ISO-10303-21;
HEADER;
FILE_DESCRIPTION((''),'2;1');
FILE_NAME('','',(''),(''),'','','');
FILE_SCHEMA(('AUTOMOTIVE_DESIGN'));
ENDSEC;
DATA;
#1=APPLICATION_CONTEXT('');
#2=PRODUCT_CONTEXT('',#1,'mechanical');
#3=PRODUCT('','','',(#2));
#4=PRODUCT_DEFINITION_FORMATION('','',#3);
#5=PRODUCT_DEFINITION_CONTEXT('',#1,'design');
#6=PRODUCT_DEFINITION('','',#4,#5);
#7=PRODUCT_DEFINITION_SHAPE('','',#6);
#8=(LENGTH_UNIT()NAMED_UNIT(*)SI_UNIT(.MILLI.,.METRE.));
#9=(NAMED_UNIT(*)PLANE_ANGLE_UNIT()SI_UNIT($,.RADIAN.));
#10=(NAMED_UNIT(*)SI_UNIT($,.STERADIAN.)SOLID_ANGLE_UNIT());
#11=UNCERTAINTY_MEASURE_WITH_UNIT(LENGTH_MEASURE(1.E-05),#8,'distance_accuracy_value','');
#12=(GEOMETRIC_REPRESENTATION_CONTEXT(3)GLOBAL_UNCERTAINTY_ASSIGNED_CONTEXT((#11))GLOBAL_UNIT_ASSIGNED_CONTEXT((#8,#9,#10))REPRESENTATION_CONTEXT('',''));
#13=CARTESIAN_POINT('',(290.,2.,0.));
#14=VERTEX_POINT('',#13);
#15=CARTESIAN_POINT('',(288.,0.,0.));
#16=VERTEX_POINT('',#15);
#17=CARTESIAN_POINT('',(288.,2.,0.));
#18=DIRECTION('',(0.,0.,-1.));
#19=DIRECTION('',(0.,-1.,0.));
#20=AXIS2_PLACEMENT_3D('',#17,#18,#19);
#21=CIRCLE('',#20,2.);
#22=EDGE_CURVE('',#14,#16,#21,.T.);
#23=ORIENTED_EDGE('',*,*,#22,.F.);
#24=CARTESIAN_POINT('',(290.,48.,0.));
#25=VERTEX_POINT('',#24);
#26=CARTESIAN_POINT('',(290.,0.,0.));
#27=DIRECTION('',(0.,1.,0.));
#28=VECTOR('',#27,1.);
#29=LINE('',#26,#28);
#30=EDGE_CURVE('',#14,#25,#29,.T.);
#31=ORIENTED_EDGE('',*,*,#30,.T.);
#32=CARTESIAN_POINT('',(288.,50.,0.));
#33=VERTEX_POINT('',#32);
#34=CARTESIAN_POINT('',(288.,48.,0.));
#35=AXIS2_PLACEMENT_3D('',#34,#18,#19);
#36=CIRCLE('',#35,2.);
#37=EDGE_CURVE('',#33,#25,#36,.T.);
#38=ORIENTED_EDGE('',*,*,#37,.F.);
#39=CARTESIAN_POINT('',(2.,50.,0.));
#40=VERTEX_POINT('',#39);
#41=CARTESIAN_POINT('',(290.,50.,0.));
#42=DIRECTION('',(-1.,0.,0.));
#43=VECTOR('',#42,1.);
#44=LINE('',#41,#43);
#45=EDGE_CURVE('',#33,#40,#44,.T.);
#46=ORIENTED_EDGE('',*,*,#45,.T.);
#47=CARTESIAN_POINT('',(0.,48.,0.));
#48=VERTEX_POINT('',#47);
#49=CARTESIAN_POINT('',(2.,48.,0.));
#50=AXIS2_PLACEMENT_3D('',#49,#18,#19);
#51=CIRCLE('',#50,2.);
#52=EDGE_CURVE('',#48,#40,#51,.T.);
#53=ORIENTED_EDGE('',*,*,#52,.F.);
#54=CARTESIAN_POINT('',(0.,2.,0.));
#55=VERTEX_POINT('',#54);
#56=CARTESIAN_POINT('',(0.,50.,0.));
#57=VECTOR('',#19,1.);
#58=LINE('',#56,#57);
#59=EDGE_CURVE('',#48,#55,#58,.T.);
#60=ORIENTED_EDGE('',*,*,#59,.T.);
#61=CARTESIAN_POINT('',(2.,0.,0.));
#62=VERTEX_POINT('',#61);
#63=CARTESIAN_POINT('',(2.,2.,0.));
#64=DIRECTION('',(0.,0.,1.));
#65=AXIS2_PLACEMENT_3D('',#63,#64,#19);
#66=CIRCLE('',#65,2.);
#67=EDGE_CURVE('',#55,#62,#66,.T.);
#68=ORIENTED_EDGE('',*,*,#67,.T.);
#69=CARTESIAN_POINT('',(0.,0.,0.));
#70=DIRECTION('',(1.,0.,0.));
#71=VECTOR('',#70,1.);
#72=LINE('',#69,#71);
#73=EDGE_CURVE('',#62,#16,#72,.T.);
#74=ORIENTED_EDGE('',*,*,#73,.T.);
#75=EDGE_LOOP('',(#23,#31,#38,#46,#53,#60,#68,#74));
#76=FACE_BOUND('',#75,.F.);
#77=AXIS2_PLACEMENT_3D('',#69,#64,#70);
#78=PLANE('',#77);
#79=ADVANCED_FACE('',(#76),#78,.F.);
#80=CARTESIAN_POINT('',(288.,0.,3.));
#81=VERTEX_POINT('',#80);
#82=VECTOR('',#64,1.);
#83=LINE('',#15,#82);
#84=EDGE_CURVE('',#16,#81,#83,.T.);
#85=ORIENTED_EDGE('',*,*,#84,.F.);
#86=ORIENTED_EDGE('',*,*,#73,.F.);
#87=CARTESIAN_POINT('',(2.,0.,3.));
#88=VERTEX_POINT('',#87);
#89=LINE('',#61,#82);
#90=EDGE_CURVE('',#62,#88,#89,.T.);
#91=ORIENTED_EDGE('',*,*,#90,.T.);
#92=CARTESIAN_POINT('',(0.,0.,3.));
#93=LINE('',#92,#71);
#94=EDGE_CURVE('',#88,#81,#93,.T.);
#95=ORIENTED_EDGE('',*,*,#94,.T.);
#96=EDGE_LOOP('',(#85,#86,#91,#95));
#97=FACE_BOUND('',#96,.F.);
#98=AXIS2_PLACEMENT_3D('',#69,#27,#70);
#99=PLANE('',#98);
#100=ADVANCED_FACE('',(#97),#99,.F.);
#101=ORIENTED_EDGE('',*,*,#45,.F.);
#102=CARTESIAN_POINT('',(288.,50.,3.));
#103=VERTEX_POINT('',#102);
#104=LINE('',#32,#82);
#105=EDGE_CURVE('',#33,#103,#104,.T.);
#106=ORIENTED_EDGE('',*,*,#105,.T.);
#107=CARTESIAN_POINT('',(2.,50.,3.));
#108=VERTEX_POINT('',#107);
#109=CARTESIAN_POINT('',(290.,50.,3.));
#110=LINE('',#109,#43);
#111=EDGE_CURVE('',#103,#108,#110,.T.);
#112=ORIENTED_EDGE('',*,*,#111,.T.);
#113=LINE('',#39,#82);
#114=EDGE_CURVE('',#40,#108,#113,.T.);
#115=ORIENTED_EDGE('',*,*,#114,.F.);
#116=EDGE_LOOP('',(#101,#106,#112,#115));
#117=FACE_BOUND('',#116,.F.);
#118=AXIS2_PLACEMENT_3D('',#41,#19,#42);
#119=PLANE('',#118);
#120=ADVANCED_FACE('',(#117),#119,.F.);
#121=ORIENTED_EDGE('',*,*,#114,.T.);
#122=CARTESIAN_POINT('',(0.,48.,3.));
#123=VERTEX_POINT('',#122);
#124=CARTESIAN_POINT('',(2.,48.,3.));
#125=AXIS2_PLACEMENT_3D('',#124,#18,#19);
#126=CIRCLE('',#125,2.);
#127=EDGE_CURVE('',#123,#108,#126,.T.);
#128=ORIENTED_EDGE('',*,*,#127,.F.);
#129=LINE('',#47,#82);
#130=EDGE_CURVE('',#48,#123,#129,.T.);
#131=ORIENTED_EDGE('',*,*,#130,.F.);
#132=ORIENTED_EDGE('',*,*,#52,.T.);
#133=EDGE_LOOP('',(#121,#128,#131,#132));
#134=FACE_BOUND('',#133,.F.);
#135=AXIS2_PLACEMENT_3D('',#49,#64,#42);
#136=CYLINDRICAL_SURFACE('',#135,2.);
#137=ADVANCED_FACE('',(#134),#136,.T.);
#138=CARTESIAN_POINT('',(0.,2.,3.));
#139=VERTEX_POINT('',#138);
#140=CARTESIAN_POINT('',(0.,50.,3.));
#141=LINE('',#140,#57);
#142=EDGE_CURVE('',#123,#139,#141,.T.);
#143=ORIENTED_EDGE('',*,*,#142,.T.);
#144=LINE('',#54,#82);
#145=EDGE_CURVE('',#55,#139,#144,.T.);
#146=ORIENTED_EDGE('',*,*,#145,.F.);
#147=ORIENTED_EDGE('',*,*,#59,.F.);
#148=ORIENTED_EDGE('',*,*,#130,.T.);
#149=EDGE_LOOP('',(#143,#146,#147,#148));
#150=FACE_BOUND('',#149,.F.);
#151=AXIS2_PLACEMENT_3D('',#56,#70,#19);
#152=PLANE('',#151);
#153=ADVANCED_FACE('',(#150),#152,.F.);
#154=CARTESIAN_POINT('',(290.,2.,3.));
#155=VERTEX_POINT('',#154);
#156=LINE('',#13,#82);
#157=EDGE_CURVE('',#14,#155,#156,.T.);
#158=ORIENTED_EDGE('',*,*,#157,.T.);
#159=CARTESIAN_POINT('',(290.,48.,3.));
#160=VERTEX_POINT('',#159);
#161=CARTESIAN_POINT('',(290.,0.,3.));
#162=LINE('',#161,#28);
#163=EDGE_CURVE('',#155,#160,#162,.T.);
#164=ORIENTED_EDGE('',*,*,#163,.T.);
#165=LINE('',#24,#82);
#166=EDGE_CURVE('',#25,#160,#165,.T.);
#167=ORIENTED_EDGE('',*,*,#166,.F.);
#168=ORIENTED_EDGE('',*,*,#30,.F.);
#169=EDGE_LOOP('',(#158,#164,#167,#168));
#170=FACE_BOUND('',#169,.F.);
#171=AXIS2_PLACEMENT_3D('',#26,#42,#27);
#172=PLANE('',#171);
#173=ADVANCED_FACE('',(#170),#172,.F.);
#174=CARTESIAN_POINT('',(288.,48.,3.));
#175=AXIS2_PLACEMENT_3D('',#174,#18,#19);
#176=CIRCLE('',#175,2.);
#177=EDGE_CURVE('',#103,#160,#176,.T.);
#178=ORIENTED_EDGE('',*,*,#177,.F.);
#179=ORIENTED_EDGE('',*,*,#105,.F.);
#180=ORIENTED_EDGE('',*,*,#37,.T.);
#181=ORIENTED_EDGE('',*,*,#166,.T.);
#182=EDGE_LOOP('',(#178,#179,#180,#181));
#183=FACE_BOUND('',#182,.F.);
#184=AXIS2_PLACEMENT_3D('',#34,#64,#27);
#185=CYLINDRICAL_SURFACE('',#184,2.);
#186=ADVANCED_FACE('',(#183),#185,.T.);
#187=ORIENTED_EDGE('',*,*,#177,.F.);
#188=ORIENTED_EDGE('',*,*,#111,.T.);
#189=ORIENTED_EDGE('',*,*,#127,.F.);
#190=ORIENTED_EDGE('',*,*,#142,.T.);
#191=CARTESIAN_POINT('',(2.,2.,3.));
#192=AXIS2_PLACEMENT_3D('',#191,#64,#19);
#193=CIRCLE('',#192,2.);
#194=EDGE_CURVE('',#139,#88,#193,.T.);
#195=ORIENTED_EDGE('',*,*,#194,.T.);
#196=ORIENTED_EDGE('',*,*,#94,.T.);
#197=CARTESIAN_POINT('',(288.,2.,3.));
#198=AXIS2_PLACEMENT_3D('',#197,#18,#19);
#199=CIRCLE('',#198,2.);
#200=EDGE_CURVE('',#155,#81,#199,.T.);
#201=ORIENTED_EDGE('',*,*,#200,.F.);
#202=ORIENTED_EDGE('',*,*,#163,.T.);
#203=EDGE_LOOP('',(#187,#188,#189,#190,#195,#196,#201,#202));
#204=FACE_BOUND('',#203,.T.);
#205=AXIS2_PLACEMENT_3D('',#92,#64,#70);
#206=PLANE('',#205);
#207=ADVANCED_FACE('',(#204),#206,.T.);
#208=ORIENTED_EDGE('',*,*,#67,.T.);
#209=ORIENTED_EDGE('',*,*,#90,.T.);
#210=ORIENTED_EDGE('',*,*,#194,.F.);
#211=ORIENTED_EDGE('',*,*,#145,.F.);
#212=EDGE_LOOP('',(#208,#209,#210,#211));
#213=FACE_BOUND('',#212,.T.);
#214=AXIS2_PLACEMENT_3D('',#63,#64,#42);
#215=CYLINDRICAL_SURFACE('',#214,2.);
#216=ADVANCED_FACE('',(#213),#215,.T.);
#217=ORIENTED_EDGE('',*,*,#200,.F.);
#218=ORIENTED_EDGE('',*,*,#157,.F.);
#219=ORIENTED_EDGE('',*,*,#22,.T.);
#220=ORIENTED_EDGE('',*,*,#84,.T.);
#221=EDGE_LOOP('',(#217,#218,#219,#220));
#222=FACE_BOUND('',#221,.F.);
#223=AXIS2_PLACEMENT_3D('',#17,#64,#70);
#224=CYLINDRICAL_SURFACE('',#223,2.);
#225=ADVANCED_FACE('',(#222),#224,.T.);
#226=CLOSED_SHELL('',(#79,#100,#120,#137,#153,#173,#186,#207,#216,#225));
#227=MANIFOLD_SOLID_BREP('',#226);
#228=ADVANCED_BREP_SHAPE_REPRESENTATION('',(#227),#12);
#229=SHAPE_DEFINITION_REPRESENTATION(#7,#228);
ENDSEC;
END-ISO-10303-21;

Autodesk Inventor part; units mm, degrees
ref_plane "YZ Plane" through (0, 0, 0) normal (1, 0, 0) x (0, 1, 0)
ref_plane "XZ Plane" through (0, 0, 0) normal (0, 1, 0) x (-1, 0, 0)
ref_plane "XY Plane" through (0, 0, 0) normal (0, 0, 1) x (1, 0, 0)
sketch "Boceto1" plane through (0, 0, 0) normal (0, 0, 1) x (1, 0, 0)
  line L0 (0, 0) -> (290, 0)
  line L1 (290, 0) -> (290, 50)
  line L2 (290, 50) -> (0, 50)
  line L3 (0, 50) -> (0, 0)
  dimension "d0" = 290
  dimension "d1" = 50
extrude "Extrusión1" add sketch "Boceto1" along normal blind 3
fillet "Empalme1" radius 2 4 edges at (290, 50, 1.5) (290, 0, 1.5) (0, 0, 1.5) (0, 50, 1.5)
properties part number "lamina1"
